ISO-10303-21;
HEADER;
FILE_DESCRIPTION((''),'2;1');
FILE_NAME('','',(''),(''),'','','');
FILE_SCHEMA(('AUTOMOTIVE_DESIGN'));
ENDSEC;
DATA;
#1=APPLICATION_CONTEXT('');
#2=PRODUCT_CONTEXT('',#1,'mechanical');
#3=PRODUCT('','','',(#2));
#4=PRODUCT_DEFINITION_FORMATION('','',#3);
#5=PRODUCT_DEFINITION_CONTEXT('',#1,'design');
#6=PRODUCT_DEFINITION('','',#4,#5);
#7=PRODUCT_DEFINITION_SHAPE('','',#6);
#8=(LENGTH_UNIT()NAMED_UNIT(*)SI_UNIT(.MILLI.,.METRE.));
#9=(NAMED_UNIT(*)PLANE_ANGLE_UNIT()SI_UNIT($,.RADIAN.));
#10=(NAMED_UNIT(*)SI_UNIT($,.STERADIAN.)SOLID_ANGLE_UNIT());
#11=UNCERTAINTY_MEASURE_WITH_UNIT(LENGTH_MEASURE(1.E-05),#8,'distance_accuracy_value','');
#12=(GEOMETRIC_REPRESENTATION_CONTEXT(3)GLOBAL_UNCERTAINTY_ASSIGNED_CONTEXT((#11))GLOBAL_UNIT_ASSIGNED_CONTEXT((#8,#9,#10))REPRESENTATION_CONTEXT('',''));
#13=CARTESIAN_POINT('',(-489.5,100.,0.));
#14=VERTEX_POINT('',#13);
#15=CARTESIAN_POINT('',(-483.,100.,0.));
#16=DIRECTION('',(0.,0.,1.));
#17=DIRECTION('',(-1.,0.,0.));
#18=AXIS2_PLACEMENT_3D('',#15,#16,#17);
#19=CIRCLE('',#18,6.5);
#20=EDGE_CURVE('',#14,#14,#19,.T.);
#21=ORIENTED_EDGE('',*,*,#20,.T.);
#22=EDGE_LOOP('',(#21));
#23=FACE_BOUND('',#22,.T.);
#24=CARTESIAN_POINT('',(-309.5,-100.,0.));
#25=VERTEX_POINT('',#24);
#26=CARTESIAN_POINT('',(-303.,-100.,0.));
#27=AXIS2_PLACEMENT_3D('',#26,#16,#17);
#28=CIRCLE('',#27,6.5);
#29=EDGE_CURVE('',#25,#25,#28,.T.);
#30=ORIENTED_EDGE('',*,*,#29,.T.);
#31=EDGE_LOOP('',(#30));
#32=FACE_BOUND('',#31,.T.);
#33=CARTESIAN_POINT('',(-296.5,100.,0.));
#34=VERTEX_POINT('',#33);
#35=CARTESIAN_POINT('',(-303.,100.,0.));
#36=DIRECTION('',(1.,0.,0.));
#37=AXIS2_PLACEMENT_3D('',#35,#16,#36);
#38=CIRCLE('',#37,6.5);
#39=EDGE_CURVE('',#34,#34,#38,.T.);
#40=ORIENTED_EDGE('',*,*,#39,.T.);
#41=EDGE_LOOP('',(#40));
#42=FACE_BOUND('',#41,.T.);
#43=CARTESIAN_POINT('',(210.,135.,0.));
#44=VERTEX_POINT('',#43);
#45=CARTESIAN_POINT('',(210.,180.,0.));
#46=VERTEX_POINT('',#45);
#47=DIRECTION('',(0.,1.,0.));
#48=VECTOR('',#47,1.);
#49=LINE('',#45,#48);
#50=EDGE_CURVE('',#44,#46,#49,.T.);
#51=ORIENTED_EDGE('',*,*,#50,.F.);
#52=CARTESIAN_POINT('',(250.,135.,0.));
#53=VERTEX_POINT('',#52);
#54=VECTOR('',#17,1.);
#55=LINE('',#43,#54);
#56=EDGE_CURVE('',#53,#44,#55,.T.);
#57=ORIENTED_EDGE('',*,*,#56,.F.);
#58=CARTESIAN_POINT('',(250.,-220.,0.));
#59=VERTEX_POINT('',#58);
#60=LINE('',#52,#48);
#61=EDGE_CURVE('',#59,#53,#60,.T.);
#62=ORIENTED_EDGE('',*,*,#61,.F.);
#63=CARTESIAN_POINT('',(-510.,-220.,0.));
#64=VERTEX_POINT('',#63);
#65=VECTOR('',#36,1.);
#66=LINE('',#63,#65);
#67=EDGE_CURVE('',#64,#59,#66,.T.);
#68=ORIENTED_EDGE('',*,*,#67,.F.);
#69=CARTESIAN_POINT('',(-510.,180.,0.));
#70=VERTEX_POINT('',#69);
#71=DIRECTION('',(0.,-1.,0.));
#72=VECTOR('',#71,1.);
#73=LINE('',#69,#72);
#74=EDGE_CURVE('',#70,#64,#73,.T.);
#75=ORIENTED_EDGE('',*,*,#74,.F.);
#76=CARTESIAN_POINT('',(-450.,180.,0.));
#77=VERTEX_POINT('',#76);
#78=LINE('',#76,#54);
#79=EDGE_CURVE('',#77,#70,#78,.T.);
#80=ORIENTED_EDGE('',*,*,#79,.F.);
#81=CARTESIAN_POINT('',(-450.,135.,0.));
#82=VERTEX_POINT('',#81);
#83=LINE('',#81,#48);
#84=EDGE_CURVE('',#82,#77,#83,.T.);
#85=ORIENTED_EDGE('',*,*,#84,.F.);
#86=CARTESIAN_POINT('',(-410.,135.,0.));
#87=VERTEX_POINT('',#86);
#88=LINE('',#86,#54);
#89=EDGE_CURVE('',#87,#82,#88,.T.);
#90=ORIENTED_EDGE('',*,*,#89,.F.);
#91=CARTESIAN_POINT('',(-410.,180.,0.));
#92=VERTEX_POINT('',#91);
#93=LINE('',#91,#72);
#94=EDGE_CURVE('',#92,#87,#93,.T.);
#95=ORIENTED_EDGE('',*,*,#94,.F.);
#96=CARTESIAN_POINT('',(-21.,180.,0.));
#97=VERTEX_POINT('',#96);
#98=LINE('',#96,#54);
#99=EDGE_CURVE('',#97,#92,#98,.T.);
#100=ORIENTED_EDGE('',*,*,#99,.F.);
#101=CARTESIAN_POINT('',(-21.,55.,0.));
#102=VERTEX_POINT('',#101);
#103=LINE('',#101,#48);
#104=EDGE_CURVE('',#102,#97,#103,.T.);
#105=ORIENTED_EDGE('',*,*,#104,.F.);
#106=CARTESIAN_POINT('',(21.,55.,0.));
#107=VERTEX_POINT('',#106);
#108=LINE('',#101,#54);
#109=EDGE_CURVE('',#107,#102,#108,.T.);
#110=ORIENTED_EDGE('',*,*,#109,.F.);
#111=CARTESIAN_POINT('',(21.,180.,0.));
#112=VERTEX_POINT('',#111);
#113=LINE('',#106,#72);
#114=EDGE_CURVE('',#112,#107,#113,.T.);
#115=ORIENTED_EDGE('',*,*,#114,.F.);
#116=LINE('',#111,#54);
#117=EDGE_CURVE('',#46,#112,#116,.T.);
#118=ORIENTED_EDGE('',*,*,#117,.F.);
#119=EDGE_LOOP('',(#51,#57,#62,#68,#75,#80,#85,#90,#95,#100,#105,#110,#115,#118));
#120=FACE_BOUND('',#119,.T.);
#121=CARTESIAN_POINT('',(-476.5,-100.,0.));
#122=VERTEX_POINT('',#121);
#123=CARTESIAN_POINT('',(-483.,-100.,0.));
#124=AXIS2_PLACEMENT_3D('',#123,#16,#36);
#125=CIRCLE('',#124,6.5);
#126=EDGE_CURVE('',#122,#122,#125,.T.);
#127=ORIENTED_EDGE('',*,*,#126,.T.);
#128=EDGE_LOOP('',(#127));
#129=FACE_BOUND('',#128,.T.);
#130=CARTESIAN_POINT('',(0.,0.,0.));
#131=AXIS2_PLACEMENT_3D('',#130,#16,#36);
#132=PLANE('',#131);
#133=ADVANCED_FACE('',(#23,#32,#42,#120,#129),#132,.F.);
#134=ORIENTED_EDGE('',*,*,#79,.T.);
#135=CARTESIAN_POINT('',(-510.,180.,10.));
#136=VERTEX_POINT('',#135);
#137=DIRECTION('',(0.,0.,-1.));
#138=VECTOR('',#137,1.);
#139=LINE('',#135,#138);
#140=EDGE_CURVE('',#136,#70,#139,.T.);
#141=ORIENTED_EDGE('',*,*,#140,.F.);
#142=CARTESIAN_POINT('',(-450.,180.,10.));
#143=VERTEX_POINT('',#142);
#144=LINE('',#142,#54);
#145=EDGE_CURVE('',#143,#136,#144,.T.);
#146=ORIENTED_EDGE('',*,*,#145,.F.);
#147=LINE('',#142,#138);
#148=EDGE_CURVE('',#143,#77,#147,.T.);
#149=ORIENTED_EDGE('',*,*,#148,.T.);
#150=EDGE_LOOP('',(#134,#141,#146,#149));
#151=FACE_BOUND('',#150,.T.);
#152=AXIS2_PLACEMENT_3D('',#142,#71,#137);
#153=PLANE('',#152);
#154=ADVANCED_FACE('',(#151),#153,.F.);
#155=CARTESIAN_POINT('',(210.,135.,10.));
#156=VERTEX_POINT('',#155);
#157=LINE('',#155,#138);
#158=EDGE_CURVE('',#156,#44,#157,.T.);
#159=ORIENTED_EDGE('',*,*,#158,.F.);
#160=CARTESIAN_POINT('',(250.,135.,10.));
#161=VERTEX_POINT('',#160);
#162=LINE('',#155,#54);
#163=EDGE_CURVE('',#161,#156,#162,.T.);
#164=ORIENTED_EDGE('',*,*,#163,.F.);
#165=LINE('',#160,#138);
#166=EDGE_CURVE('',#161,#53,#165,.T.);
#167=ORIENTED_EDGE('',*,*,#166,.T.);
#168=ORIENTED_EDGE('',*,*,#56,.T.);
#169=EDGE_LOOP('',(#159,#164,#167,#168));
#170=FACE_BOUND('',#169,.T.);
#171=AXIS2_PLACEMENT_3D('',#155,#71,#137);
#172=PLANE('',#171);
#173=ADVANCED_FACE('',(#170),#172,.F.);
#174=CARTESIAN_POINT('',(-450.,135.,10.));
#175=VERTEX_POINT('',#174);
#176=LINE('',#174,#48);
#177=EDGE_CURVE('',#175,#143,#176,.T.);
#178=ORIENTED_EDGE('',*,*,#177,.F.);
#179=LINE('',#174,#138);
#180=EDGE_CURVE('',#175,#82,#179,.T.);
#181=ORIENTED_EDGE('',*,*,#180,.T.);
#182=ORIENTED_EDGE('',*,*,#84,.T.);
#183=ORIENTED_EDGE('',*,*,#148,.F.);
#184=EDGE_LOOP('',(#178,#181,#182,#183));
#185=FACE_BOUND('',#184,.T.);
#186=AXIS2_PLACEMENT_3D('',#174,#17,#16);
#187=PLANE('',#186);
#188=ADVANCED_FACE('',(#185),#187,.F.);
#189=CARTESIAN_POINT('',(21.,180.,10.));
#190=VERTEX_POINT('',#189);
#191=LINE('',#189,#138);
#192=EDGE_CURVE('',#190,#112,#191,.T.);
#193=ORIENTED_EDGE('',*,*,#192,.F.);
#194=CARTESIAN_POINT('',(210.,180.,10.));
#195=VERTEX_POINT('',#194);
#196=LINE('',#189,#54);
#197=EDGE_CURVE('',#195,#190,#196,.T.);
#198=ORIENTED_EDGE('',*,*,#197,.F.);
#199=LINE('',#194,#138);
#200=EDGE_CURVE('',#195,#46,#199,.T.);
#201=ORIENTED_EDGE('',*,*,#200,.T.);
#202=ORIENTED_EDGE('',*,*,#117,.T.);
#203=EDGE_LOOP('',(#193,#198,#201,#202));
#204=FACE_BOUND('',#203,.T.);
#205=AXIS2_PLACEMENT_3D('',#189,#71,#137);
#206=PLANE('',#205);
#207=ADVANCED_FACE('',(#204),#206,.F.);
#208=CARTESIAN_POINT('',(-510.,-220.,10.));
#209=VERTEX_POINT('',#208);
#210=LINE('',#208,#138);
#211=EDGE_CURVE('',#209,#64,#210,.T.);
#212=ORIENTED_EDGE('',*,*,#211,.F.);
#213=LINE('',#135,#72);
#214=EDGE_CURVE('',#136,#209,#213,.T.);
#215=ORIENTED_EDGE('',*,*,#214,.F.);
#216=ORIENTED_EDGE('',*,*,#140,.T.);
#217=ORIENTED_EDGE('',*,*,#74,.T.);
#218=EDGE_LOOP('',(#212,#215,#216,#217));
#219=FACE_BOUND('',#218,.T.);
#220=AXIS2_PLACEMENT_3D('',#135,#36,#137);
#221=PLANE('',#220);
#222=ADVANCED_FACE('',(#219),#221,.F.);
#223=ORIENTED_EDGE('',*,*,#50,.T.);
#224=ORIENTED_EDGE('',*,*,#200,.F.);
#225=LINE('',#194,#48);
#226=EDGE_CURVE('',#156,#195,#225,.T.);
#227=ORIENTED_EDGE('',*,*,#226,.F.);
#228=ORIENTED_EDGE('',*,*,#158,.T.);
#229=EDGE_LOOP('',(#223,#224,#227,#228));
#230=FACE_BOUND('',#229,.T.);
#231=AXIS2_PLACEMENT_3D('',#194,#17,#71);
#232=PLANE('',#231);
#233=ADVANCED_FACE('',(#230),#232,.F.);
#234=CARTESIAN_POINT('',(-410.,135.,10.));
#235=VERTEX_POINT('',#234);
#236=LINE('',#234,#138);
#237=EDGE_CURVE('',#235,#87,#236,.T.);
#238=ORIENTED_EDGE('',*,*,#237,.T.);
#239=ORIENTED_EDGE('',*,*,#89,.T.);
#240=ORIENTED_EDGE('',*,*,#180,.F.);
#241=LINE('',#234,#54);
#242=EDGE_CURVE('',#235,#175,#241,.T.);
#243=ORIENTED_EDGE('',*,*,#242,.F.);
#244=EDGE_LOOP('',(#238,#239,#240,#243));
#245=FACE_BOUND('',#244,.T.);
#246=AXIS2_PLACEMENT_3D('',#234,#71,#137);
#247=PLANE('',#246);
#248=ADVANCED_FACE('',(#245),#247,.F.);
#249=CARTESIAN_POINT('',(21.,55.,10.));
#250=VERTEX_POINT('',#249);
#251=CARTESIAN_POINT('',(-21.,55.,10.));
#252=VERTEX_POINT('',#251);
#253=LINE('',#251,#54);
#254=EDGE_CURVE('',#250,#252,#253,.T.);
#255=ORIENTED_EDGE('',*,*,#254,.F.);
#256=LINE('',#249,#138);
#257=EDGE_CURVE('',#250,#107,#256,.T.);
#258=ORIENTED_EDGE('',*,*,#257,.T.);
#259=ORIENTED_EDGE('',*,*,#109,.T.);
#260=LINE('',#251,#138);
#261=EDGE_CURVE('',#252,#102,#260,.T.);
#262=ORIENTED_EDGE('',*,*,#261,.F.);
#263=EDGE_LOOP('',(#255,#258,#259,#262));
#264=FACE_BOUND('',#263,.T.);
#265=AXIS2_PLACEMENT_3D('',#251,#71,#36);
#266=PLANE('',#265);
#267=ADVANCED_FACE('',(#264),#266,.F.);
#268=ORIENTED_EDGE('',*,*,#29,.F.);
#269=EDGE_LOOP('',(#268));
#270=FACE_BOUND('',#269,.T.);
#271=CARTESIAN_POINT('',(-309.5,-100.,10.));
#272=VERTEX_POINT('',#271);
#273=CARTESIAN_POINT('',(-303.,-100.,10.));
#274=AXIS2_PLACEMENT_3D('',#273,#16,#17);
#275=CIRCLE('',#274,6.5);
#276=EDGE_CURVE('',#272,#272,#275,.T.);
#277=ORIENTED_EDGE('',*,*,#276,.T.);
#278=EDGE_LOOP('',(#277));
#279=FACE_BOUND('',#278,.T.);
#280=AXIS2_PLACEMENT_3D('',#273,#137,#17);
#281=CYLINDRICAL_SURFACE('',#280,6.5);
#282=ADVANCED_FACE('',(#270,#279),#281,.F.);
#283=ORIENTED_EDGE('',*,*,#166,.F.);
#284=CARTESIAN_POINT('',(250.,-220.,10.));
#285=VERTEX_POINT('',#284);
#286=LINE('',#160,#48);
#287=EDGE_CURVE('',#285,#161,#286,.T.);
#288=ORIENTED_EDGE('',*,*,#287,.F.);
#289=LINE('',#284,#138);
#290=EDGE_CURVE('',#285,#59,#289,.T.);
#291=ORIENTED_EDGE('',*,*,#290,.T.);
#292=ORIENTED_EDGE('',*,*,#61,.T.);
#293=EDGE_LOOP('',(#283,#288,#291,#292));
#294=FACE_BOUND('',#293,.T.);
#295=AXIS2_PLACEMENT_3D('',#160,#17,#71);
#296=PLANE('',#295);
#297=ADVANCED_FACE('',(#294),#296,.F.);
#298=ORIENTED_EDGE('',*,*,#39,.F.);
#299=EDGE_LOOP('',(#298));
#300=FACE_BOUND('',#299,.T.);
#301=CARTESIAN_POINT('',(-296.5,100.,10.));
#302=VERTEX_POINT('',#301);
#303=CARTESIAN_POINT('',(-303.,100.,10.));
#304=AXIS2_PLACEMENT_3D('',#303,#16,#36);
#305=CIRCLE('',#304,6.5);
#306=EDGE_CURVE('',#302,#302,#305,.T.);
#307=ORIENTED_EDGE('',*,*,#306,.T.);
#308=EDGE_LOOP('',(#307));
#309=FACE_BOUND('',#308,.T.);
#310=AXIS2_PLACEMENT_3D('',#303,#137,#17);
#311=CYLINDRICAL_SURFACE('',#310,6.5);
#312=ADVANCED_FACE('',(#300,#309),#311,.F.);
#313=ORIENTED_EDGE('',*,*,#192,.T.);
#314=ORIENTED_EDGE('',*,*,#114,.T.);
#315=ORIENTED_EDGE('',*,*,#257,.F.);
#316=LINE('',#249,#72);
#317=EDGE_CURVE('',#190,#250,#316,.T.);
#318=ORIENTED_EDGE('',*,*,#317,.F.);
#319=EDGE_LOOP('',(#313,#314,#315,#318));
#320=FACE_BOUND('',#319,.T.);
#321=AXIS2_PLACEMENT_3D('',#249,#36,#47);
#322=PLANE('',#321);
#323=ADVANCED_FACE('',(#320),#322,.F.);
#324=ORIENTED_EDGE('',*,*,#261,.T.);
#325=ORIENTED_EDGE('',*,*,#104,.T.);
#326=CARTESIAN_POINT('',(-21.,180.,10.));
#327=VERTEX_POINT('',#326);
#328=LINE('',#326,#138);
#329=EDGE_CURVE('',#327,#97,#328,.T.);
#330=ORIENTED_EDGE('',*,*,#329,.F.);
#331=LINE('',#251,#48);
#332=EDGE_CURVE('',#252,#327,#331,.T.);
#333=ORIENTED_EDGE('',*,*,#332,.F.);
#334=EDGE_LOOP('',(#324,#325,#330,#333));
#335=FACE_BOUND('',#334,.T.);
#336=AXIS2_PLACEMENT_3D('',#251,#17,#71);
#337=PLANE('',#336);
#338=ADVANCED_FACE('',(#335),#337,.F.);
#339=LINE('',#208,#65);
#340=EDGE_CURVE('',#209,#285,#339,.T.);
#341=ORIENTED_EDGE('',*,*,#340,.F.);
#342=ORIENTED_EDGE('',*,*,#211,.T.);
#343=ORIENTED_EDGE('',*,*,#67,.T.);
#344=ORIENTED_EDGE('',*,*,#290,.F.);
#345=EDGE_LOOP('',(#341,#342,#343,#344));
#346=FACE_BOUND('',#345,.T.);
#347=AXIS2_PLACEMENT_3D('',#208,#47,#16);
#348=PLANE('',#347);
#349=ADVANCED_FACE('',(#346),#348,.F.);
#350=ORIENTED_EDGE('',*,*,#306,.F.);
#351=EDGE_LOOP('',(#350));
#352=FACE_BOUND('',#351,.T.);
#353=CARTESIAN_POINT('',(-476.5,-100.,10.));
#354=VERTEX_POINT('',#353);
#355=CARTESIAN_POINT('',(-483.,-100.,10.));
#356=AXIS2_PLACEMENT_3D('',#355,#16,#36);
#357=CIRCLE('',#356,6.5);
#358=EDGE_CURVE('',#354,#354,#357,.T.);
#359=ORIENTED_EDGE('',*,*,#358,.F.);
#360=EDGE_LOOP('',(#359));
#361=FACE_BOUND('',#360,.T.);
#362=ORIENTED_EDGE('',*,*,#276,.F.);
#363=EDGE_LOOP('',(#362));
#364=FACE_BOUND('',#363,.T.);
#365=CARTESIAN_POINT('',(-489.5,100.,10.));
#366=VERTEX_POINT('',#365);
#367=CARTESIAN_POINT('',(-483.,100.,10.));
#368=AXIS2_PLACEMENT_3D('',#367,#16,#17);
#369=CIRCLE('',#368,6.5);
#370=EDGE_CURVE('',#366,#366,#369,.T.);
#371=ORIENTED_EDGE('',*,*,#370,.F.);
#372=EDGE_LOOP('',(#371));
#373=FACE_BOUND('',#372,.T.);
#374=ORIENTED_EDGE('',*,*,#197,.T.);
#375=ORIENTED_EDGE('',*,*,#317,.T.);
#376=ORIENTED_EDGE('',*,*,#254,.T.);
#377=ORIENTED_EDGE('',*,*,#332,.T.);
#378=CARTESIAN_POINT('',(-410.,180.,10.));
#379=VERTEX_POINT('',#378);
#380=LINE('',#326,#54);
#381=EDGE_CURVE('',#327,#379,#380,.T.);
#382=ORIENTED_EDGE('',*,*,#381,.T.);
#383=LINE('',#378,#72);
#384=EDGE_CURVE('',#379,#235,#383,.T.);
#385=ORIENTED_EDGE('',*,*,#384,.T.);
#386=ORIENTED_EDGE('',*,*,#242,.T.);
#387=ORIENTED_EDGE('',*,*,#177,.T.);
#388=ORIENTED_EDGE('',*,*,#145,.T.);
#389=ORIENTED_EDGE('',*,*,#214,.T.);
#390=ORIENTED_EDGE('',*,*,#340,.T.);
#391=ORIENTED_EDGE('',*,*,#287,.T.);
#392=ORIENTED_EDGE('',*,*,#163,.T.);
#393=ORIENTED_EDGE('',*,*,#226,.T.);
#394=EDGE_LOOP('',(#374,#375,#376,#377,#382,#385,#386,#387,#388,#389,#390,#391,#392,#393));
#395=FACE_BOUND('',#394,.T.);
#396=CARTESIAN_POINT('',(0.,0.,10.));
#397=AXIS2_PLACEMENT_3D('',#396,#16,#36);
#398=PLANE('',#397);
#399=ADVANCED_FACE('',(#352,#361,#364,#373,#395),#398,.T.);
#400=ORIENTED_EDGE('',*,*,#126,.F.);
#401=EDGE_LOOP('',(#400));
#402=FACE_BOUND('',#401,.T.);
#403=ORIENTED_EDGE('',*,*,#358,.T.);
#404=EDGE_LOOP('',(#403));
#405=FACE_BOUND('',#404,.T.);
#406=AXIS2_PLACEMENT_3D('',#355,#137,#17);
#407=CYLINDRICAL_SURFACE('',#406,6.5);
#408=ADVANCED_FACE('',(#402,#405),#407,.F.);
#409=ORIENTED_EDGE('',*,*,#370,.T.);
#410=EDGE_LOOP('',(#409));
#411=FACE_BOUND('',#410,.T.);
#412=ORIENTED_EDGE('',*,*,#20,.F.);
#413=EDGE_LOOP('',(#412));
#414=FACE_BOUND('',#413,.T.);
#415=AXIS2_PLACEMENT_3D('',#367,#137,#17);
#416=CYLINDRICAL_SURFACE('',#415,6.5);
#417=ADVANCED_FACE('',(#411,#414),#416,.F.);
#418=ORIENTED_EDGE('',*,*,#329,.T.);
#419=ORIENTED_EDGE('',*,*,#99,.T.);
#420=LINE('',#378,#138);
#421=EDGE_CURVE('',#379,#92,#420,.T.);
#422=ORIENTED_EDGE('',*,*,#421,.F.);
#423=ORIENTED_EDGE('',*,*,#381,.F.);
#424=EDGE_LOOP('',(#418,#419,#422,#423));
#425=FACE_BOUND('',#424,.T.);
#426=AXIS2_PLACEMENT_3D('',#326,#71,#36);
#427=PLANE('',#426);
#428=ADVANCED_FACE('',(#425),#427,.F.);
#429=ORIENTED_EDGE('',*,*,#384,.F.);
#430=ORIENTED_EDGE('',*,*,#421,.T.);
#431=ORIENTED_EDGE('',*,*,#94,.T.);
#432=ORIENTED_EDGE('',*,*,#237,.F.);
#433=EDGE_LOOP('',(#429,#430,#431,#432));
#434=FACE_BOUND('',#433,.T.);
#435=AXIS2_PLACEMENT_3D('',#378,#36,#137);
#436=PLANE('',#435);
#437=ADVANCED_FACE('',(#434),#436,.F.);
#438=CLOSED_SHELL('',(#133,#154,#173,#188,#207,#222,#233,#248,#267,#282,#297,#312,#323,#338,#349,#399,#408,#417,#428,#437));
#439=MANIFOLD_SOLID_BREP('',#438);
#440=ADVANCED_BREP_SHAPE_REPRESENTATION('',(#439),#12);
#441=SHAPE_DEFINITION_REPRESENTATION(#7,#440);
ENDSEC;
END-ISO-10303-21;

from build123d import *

# Parameters (mm, degrees)
SKETCH1_R           = 6.5
BOSS_EXTRUDE1_DEPTH = 10


with BuildPart() as part:
    # Sketch1 → Boss-Extrude1 (new body)
    with BuildSketch(Plane.XY):
        Polygon((-21, 55), (21, 55), (21, 180), (210, 180), (210, 135), (250, 135), (250, -220), (-510, -220), (-510, 180), (-450, 180), (-450, 135), (-410, 135), (-410, 180), (-21, 180), align=None)
        with Locations((-303, 100)):
            Circle(SKETCH1_R, mode=Mode.SUBTRACT)
        with Locations((-483, 100)):
            Circle(SKETCH1_R, mode=Mode.SUBTRACT)
        with Locations((-303, -100)):
            Circle(SKETCH1_R, mode=Mode.SUBTRACT)
        with Locations((-483, -100)):
            Circle(SKETCH1_R, mode=Mode.SUBTRACT)
    extrude(amount=BOSS_EXTRUDE1_DEPTH)


solid = part.part
